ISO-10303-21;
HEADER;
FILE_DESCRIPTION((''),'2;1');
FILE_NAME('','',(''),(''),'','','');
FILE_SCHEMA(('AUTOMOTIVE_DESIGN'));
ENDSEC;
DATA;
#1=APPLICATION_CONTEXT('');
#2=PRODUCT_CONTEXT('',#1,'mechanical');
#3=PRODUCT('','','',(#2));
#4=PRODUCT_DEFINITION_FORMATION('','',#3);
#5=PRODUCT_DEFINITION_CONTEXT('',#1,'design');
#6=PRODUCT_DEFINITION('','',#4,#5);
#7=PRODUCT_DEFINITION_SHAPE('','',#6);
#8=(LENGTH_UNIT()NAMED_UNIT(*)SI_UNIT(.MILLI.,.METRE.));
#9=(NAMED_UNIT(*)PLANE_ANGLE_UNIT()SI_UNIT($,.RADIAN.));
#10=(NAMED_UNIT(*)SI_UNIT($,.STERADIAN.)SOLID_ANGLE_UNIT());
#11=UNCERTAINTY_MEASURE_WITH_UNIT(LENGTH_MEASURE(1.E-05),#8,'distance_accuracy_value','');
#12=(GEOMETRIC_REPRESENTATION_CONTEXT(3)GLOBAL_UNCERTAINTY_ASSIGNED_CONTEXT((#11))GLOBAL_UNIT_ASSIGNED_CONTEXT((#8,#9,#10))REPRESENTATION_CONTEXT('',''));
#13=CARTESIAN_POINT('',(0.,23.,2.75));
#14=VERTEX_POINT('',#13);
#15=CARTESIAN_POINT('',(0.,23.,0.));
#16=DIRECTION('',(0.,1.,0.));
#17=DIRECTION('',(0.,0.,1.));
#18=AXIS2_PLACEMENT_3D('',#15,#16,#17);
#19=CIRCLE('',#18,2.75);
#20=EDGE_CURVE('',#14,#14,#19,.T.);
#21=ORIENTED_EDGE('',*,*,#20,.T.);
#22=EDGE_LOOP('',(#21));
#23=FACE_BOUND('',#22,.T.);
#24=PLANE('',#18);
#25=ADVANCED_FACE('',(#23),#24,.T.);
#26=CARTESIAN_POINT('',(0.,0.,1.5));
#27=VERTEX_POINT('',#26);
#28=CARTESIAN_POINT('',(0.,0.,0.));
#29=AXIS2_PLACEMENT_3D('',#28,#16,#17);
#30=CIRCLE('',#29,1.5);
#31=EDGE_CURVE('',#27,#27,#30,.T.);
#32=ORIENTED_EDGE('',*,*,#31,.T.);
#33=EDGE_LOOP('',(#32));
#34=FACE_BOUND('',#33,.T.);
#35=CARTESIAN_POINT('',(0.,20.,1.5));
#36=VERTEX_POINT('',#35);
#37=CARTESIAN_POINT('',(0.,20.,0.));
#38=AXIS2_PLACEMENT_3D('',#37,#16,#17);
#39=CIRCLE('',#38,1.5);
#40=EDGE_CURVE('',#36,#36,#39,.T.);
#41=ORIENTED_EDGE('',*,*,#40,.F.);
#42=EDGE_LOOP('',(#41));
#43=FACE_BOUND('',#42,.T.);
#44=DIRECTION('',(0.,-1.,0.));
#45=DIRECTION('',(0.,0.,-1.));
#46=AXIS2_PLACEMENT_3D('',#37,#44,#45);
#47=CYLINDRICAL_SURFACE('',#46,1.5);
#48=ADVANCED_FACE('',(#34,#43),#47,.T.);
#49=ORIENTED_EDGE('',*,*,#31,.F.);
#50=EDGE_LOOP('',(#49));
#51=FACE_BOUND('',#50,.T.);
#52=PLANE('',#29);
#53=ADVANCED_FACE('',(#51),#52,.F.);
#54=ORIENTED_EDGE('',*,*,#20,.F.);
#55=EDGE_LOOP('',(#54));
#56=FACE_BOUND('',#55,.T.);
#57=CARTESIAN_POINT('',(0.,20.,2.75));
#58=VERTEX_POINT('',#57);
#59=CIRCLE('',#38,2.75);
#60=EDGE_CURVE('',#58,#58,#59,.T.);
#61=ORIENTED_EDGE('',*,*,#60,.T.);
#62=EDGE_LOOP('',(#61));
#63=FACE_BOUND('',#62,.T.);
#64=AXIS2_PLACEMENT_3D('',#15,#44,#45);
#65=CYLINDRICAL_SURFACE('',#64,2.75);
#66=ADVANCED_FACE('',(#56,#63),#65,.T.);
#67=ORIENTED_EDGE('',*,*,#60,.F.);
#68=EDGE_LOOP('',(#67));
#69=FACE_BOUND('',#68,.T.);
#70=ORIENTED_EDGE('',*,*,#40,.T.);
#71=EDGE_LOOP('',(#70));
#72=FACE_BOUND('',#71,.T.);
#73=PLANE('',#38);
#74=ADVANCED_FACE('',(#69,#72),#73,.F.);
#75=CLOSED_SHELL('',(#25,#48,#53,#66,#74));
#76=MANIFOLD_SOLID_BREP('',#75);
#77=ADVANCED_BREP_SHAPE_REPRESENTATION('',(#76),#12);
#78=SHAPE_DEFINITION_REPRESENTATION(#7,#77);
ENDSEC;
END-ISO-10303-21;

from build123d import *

# Parameters (mm, degrees)
SKETCH1_R           = 1.5
BOSS_EXTRUDE1_DEPTH = 20
SKETCH2_R           = 2.75
BOSS_EXTRUDE2_DEPTH = 3


with BuildPart() as part:
    # Sketch1 → Boss-Extrude1 (new body)
    with BuildSketch(Plane(origin=(0, 0, 0), x_dir=(1, 0, 0), z_dir=(0, 1, 0))):
        Circle(SKETCH1_R)
    extrude(amount=BOSS_EXTRUDE1_DEPTH)

    # Sketch2 → Boss-Extrude2 (add)
    with BuildSketch(Plane(origin=(0, 20, 0), x_dir=(1, 0, 0), z_dir=(0, 1, 0))):
        Circle(SKETCH2_R)
    extrude(amount=BOSS_EXTRUDE2_DEPTH)


solid = part.part
